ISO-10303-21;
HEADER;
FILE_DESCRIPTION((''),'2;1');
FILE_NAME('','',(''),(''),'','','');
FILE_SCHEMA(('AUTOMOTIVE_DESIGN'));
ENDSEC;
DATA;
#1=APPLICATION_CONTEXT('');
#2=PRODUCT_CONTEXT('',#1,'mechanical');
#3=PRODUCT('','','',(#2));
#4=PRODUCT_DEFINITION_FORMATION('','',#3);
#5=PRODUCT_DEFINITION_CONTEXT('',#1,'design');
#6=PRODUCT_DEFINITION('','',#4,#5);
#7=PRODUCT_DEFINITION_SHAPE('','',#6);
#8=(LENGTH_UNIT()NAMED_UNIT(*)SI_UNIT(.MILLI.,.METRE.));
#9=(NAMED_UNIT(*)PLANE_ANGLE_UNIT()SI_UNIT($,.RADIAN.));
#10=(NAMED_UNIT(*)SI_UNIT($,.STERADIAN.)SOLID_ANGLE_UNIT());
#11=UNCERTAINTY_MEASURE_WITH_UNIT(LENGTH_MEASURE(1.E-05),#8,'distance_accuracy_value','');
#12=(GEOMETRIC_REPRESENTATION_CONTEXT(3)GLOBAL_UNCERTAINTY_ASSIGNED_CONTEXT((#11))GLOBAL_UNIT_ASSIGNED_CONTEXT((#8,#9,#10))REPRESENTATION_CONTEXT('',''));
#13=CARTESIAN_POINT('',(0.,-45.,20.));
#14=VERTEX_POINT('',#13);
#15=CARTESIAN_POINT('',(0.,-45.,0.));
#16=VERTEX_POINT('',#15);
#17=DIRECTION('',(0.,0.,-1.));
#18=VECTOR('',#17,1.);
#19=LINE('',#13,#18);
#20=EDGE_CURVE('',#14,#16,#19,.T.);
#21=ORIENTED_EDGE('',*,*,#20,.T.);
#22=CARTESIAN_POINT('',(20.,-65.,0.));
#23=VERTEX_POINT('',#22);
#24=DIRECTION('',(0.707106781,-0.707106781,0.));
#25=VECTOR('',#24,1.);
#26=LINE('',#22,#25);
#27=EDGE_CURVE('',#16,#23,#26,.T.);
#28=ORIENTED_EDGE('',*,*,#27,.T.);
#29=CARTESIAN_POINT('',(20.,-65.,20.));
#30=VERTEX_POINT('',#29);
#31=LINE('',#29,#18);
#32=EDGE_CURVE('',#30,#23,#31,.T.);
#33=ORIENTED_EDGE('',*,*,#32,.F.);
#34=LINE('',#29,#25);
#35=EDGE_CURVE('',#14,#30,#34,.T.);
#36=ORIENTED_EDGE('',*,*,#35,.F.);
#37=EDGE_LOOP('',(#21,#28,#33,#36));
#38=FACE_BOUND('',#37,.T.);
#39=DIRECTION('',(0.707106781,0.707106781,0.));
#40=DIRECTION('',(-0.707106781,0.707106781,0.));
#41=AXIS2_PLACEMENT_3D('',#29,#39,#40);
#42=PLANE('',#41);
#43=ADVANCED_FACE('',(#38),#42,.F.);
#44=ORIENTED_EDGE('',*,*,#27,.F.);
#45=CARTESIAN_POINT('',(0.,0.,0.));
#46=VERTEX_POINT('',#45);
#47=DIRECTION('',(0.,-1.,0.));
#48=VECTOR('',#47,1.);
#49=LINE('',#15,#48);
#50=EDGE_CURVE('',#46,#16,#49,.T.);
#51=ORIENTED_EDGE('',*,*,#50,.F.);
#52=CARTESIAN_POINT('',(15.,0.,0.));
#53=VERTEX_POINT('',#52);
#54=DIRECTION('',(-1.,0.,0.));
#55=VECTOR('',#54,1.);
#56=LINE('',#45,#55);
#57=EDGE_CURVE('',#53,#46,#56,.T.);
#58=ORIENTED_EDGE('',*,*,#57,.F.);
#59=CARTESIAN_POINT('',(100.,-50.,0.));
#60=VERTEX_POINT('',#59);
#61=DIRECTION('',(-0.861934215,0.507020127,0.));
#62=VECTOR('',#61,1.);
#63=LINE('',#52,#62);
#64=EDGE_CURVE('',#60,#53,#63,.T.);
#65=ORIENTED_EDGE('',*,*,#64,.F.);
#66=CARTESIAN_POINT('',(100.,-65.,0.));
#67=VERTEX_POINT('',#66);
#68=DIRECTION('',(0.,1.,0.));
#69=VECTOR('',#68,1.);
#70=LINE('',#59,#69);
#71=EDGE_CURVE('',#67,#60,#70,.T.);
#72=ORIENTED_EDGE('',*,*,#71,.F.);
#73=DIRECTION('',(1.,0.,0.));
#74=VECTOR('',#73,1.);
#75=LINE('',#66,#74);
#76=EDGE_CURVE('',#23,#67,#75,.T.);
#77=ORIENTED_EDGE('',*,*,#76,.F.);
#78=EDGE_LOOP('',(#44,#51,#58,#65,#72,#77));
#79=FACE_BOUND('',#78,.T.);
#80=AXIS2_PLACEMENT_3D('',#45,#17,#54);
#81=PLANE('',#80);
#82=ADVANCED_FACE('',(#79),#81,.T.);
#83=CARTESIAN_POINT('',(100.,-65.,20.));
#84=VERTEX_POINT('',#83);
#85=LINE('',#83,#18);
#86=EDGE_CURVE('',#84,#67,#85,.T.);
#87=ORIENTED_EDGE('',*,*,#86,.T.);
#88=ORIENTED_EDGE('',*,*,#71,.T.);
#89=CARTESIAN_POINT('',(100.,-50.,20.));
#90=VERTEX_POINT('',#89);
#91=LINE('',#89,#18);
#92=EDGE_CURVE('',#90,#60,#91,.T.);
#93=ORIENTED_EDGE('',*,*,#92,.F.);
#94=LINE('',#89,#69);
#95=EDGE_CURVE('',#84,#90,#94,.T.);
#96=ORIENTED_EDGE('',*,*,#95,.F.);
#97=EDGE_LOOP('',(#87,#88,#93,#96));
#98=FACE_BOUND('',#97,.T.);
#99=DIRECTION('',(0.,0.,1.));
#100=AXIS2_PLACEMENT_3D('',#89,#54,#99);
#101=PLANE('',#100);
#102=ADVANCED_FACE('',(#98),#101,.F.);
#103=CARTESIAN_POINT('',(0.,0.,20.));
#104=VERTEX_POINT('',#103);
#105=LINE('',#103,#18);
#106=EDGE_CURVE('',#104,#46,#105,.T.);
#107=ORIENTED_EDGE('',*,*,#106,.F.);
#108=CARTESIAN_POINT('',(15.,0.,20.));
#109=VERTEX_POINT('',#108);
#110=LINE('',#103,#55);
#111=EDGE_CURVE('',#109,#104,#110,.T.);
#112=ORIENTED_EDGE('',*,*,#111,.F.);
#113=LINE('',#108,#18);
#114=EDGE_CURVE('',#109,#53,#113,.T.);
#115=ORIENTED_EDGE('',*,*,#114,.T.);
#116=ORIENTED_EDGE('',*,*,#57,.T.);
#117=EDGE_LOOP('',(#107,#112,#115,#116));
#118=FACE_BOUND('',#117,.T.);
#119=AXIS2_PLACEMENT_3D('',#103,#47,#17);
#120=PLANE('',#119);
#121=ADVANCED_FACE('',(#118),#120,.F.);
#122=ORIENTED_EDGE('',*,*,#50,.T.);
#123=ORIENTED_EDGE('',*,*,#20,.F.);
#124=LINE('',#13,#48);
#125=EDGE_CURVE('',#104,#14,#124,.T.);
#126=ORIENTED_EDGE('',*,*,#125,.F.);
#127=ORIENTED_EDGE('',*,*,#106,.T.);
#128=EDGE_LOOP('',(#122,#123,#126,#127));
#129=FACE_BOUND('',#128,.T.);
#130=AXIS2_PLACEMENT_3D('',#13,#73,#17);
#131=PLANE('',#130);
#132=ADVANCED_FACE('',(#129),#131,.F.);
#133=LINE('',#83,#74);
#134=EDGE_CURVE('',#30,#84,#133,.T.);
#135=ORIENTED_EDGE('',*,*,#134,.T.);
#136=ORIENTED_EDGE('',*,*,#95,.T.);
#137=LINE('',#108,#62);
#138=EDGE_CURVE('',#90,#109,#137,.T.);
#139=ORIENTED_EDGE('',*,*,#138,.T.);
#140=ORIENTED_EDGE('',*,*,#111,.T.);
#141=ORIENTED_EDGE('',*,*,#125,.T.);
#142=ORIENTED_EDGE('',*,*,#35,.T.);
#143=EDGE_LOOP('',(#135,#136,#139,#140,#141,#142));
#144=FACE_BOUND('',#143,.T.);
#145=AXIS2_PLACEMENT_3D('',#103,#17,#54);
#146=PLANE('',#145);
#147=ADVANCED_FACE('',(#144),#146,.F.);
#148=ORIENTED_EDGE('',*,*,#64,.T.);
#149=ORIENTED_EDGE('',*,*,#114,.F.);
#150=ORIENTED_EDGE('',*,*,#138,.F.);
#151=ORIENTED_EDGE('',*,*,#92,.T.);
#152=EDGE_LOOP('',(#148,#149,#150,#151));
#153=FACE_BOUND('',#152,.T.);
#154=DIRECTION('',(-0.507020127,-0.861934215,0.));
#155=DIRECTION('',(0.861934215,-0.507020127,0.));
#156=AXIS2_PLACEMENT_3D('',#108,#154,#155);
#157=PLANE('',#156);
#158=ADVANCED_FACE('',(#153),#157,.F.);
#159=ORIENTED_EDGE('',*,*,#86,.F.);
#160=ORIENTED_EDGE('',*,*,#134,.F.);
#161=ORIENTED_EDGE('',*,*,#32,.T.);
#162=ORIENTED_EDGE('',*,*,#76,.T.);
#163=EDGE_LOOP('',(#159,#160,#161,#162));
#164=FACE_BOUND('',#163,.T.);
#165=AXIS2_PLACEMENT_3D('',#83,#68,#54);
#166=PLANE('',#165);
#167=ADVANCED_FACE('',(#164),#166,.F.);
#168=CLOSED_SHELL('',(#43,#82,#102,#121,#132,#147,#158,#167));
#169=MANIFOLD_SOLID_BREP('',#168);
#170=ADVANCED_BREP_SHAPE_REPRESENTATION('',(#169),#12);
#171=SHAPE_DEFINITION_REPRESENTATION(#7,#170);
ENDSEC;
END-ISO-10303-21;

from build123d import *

# Parameters (mm, degrees)
EXTRUDE_1_DEPTH = 20


with BuildPart() as part:
    # 草图1 → 凸台-拉伸1 (new body)
    with BuildSketch(Plane.XY):
        Polygon((0, 0), (15, 0), (100, -50), (100, -65), (20, -65), (0, -45), align=None)
    extrude(amount=EXTRUDE_1_DEPTH)


solid = part.part
